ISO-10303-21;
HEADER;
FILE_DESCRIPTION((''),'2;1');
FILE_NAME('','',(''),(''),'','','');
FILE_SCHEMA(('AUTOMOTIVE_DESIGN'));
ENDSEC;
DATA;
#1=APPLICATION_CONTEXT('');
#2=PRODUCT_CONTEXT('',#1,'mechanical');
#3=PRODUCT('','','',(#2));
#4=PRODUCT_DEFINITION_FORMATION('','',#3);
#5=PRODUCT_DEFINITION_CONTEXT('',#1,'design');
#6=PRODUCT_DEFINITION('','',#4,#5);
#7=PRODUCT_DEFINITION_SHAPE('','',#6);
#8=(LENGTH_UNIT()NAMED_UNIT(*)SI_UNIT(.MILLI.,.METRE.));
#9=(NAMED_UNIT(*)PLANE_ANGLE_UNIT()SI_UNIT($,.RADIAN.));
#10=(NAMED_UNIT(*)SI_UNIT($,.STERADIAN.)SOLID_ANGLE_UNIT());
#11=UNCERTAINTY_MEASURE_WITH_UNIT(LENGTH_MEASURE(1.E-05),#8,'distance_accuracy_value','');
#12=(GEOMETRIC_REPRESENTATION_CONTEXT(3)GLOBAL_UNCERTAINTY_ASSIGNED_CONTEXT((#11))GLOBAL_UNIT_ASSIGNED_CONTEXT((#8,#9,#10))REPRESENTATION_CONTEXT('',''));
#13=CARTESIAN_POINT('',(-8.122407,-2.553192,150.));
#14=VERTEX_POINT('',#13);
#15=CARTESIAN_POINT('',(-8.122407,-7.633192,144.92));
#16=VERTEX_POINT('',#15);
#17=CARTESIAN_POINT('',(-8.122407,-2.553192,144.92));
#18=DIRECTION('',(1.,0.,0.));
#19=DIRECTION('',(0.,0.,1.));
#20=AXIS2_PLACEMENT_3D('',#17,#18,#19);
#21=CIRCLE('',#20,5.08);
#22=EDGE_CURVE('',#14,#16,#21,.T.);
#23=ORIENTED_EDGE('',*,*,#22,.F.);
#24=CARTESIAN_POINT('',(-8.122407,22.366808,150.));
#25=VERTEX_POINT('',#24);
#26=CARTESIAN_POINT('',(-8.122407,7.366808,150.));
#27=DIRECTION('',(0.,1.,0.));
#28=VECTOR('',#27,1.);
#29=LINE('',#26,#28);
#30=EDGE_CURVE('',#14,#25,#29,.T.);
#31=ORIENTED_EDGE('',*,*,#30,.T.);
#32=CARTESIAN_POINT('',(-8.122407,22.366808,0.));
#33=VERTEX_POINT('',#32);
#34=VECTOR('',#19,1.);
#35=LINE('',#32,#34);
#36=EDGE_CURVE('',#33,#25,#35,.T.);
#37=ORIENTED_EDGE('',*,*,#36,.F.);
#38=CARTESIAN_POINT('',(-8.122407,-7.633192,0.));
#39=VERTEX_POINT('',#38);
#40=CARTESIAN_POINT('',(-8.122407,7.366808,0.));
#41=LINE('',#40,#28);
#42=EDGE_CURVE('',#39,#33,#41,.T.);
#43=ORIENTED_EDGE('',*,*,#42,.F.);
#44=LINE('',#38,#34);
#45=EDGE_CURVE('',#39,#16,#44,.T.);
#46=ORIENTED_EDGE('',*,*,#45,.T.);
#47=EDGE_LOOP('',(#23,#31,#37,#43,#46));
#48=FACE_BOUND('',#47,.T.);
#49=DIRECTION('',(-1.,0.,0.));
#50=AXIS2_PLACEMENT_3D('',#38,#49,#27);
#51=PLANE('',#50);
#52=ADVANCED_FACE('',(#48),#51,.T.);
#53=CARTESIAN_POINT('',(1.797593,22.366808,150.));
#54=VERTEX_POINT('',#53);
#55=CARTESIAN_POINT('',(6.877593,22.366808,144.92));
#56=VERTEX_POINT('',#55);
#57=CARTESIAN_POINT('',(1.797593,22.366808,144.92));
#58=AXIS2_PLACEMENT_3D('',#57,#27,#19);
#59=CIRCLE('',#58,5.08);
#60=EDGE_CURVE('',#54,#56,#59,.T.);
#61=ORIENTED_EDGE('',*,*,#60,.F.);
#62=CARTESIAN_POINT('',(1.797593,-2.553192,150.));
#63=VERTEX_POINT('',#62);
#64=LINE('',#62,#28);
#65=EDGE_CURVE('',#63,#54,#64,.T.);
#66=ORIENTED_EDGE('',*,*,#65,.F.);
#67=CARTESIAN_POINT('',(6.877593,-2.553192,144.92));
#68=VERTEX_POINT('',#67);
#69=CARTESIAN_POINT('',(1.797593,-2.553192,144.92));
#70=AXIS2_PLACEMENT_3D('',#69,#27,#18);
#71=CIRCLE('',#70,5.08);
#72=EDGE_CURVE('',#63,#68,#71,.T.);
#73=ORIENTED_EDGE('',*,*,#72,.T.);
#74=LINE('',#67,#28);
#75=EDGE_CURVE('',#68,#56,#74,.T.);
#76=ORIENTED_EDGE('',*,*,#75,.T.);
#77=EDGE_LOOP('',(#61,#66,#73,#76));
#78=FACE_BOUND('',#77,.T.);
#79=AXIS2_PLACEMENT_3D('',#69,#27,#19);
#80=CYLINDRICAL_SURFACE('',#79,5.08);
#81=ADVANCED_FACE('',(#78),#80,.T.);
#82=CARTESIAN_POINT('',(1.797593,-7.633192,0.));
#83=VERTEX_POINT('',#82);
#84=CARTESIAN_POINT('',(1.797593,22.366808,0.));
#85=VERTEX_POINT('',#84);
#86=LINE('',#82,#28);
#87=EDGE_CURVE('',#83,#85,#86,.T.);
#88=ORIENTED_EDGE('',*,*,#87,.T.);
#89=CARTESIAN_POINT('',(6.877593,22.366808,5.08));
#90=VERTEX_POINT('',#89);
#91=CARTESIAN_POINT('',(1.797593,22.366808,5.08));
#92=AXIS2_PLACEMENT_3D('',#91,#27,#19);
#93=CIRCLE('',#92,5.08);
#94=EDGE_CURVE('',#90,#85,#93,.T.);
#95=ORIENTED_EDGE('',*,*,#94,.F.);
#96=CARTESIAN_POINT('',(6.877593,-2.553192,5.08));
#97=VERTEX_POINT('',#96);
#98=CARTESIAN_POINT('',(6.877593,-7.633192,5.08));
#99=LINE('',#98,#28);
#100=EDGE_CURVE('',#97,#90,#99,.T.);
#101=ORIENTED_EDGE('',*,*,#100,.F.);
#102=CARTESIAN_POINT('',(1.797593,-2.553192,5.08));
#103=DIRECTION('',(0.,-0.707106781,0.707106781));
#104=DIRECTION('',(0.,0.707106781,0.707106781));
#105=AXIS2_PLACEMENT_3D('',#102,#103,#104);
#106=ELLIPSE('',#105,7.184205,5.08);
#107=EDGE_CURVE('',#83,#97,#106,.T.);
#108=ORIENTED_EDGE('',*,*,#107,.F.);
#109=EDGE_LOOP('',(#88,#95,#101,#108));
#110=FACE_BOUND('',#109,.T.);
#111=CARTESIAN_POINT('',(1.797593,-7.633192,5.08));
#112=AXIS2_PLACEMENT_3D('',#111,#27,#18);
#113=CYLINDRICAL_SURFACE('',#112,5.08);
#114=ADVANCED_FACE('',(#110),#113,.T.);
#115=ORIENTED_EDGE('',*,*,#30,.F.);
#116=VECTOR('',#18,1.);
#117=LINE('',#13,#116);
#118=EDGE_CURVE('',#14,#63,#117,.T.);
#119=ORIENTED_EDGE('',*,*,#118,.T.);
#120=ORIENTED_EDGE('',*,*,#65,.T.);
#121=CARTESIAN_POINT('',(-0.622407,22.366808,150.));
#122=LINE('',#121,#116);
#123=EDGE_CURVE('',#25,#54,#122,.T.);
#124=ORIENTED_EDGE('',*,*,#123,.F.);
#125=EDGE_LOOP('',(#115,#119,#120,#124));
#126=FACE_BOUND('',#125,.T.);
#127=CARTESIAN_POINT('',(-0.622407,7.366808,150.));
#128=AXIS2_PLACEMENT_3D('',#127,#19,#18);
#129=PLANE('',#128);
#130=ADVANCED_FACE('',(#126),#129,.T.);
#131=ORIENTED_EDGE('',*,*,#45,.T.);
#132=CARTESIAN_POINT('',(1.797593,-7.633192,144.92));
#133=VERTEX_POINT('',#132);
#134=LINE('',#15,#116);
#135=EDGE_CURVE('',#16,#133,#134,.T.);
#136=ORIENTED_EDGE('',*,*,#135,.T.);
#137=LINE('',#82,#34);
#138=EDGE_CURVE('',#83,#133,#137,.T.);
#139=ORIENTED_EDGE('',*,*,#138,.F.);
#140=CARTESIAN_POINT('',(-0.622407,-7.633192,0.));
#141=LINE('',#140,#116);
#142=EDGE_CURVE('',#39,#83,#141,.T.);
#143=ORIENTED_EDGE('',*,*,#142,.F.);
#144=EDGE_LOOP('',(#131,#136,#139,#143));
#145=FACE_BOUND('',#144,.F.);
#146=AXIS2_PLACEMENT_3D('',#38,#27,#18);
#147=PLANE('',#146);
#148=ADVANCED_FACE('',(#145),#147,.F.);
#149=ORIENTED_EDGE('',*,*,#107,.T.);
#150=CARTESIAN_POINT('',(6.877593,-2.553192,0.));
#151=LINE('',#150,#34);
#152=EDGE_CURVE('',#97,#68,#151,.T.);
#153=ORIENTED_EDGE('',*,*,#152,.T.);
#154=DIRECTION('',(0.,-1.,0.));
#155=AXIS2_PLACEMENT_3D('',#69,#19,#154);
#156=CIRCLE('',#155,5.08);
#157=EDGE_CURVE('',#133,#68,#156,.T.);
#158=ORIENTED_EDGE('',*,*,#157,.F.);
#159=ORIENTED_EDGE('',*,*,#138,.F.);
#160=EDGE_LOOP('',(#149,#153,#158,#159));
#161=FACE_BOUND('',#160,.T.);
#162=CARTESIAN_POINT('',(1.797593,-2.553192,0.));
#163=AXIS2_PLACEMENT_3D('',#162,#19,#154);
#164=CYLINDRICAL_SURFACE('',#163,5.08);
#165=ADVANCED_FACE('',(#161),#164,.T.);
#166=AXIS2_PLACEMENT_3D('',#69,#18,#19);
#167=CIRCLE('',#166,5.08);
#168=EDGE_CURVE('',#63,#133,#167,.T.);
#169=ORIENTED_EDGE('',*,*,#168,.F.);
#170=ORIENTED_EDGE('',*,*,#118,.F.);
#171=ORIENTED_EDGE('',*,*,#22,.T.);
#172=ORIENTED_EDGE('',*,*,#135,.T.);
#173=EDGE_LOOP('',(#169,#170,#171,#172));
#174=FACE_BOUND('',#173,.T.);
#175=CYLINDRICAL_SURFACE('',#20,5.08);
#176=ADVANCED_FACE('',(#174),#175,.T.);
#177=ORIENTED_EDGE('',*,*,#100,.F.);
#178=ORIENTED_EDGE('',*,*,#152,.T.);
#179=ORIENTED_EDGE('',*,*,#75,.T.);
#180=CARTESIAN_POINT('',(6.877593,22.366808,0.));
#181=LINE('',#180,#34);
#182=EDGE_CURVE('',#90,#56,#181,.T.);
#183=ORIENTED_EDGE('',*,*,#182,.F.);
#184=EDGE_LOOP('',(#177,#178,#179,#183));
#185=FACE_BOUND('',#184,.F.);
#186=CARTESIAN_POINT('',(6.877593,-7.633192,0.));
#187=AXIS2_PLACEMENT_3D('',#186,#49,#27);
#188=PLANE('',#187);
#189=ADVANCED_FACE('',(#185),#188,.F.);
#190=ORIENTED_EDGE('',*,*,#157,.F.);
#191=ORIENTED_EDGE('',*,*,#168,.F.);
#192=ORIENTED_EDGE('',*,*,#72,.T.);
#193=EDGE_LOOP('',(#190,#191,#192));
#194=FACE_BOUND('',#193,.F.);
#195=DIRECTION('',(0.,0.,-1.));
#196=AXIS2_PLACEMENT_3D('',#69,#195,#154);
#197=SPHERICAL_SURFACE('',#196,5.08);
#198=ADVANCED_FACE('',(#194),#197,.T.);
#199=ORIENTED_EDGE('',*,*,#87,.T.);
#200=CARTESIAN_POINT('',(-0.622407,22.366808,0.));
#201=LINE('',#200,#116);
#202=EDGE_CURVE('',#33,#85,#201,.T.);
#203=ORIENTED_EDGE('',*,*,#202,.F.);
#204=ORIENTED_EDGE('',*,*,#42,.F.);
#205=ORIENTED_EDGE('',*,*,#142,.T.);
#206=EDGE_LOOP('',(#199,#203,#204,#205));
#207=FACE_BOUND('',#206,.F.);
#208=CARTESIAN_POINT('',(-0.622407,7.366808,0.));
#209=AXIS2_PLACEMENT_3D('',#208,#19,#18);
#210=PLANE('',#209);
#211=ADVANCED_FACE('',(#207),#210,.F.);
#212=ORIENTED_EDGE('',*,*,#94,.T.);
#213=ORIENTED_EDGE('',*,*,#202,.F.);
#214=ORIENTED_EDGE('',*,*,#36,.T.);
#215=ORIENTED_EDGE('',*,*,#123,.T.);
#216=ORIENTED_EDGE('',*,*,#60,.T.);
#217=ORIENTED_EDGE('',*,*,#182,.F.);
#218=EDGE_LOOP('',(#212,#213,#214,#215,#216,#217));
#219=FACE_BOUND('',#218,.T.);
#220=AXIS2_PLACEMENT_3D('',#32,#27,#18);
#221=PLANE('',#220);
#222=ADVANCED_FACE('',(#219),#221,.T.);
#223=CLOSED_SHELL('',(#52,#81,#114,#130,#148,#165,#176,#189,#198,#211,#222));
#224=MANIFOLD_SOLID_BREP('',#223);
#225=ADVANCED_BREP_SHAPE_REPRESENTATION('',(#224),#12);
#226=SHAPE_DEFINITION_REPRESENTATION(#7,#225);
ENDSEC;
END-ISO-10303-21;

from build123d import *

# Parameters (mm, degrees)
F0_W     = 15
F0_H     = 30
F1_DEPTH = 150
F2_R     = 5.08
F3_R     = 5.08


with BuildPart() as f1:
    # F0 (on Top) → F1 (new body)
    with BuildSketch(Plane.XY):
        with Locations((-0.622407, 7.366808)):
            Rectangle(F0_W, F0_H)
    extrude(amount=F1_DEPTH)

    # F2
    f2_edges = [f1.edges().sort_by_distance(p)[0] for p in [
        (6.877593, -7.633192, 75),
        (6.877593, 7.366808, 0),
    ]]
    fillet(f2_edges, radius=F2_R)

    # F3
    f3_edges = [f1.edges().sort_by_distance(p)[0] for p in [
        (6.877593, 9.906808, 150),
    ]]
    fillet(f3_edges, radius=F3_R)


solid = f1.part
